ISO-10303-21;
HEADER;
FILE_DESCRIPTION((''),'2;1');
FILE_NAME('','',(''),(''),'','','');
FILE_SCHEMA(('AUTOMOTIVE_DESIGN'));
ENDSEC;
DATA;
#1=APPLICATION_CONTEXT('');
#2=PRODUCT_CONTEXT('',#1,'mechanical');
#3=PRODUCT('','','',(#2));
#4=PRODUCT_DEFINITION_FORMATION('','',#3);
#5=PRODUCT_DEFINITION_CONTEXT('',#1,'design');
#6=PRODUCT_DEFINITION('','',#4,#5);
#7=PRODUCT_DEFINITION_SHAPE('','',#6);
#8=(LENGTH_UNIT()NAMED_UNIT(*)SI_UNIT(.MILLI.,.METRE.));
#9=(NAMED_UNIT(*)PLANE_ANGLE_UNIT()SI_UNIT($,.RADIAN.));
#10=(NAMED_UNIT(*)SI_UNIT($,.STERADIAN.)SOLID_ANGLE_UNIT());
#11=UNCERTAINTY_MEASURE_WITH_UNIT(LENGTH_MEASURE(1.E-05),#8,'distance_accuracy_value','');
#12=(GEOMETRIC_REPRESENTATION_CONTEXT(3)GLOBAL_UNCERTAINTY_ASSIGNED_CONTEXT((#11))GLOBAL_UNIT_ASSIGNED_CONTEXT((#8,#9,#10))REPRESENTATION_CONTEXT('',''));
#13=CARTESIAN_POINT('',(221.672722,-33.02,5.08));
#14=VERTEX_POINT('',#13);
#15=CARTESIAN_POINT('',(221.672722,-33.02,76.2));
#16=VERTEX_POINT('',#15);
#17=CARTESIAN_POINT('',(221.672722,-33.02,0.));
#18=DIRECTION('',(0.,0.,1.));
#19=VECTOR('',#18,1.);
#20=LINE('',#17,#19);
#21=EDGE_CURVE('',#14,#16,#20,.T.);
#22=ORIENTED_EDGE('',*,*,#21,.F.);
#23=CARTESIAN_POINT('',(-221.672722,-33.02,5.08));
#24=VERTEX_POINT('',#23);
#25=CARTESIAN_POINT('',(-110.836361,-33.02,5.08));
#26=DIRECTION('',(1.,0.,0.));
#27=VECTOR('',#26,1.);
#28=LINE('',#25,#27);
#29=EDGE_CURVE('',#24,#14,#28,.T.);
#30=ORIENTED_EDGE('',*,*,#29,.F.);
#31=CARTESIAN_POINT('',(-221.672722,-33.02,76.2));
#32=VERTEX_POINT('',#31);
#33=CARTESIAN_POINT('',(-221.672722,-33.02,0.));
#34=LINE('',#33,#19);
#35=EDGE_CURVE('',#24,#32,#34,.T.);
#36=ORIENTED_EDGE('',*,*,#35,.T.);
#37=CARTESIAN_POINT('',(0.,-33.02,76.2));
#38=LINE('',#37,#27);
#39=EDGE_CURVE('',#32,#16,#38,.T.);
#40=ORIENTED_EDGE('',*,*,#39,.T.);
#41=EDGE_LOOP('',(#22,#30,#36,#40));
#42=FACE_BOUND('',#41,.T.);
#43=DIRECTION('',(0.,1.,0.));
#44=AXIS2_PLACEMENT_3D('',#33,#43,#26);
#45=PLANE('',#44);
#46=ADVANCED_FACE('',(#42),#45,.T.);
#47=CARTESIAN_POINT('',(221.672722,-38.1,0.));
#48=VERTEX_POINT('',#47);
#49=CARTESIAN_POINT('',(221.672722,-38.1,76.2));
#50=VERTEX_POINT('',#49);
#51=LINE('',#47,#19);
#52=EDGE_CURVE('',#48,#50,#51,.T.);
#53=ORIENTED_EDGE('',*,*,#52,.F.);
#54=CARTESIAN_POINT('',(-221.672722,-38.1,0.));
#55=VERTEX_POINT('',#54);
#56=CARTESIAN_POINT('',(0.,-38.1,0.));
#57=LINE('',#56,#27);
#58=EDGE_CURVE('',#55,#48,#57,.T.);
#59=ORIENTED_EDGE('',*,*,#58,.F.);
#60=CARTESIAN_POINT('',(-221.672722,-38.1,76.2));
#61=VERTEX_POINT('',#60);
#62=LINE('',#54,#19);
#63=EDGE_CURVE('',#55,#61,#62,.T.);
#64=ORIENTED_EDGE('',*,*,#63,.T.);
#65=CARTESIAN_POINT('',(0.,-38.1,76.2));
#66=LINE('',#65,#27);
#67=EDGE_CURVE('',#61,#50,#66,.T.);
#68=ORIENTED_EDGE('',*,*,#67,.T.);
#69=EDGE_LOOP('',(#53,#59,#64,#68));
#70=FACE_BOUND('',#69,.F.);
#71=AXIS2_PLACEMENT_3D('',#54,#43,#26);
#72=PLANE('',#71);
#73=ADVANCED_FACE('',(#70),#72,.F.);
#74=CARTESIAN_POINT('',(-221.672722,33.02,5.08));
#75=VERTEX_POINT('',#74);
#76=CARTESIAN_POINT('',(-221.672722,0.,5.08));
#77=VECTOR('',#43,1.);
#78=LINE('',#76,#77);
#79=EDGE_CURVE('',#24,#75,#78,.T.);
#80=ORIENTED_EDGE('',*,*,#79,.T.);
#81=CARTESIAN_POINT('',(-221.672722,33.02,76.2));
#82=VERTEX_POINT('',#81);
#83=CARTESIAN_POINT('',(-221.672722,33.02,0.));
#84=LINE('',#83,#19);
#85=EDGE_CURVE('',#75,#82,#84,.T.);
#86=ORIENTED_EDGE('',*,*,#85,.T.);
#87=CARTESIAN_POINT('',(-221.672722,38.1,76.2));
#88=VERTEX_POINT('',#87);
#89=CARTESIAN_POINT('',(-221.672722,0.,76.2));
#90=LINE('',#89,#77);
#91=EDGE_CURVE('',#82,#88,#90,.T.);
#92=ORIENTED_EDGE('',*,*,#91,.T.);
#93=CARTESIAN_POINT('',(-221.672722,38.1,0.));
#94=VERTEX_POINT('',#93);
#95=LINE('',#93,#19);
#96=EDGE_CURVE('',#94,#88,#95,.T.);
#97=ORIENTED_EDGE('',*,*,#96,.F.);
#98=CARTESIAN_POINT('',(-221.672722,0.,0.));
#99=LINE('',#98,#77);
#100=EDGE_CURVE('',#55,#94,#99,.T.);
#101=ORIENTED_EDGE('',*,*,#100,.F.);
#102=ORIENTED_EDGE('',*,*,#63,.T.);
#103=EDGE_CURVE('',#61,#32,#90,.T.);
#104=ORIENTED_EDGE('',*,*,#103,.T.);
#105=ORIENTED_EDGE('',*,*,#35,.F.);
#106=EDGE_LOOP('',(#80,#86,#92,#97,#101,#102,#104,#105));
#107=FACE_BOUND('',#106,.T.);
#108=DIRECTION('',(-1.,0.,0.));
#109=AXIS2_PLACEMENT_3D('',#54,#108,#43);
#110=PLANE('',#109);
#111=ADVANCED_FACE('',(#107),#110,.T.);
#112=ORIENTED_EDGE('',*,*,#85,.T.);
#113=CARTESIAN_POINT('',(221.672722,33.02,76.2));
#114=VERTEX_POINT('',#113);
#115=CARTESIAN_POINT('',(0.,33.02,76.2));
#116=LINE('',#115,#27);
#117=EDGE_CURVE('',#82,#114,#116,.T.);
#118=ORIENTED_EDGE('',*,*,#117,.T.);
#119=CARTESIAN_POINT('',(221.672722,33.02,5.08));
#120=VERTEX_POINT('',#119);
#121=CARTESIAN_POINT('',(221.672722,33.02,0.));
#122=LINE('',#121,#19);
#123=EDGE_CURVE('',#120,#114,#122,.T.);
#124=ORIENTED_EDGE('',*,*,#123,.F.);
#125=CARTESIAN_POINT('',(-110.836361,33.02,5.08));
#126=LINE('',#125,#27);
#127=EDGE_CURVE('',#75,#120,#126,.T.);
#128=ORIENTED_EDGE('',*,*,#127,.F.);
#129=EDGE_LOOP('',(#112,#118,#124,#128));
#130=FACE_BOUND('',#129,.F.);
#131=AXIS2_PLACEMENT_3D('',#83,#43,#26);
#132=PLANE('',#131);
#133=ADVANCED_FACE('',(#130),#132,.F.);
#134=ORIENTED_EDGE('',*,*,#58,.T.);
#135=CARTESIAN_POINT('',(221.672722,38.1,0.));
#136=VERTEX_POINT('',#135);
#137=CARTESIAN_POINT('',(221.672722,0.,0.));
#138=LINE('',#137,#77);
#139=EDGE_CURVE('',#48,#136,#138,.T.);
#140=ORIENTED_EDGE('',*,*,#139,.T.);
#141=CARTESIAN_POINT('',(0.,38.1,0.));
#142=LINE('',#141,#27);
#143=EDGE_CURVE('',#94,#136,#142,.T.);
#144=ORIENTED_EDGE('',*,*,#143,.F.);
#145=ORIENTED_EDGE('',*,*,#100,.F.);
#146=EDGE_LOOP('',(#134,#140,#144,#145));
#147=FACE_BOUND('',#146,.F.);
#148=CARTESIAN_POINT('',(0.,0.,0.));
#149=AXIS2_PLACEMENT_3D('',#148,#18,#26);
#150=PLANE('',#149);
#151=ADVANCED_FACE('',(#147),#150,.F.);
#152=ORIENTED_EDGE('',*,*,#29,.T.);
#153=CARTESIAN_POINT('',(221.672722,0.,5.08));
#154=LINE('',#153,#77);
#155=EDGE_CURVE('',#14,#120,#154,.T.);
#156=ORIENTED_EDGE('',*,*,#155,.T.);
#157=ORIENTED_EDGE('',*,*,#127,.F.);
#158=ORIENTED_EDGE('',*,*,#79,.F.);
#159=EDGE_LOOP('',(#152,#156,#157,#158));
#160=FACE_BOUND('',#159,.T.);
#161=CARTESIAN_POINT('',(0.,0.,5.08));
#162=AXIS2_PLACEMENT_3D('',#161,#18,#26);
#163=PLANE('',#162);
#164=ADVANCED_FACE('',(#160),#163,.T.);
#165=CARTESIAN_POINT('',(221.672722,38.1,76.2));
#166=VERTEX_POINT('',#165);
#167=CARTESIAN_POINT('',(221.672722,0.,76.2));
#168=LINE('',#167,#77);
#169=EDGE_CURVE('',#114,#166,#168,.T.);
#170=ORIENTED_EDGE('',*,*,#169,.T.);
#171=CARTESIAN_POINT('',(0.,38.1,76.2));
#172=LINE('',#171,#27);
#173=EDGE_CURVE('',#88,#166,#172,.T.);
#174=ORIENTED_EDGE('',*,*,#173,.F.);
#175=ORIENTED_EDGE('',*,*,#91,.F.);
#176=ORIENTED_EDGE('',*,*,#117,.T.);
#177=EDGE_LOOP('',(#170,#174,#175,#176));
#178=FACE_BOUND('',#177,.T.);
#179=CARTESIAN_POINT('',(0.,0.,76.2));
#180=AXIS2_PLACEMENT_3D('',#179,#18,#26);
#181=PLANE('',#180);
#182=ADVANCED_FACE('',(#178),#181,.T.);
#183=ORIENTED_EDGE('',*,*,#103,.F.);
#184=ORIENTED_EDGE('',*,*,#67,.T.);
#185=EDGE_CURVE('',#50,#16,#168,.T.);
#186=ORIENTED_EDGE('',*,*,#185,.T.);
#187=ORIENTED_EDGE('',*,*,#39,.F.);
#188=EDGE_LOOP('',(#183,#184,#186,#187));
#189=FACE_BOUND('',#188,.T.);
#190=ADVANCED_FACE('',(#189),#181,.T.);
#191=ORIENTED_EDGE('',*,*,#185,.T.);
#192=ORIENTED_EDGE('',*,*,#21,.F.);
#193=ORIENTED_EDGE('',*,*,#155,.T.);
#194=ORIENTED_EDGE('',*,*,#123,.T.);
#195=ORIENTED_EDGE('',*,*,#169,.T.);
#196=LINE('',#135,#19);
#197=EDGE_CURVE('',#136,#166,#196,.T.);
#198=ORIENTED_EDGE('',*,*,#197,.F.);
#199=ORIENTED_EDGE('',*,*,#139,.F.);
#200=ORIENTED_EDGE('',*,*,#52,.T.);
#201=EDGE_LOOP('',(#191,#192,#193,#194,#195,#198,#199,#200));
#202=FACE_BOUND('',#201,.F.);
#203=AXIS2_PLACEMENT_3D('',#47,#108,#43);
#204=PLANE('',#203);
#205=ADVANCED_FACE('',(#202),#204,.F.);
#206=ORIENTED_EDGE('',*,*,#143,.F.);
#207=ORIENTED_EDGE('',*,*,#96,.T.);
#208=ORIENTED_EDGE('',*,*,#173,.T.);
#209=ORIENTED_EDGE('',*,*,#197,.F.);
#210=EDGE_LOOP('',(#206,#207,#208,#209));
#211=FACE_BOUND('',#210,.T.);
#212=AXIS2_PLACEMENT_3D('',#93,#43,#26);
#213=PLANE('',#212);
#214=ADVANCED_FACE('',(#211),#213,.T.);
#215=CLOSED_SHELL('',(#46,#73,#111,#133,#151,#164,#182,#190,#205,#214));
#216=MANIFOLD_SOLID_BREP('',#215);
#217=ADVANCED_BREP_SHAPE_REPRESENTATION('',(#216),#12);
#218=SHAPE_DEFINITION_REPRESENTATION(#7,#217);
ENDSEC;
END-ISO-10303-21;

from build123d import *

# Parameters (mm, degrees)
F0_W     = 443.345444
F0_H     = 76.2
F1_DEPTH = 76.2
F2_T     = -5.08


with BuildPart() as f1:
    # F0 (on Top) → F1 (new body)
    with BuildSketch(Plane.XY):
        Rectangle(F0_W, F0_H)
    extrude(amount=F1_DEPTH)

    # F2
    f2_openings = [f1.faces().sort_by_distance(p)[0] for p in [
        (0, 0, 76.2),
        (-221.672722, 0, 38.1),
        (221.672722, 0, 38.1),
    ]]
    offset(amount=F2_T, openings=f2_openings)


solid = f1.part
